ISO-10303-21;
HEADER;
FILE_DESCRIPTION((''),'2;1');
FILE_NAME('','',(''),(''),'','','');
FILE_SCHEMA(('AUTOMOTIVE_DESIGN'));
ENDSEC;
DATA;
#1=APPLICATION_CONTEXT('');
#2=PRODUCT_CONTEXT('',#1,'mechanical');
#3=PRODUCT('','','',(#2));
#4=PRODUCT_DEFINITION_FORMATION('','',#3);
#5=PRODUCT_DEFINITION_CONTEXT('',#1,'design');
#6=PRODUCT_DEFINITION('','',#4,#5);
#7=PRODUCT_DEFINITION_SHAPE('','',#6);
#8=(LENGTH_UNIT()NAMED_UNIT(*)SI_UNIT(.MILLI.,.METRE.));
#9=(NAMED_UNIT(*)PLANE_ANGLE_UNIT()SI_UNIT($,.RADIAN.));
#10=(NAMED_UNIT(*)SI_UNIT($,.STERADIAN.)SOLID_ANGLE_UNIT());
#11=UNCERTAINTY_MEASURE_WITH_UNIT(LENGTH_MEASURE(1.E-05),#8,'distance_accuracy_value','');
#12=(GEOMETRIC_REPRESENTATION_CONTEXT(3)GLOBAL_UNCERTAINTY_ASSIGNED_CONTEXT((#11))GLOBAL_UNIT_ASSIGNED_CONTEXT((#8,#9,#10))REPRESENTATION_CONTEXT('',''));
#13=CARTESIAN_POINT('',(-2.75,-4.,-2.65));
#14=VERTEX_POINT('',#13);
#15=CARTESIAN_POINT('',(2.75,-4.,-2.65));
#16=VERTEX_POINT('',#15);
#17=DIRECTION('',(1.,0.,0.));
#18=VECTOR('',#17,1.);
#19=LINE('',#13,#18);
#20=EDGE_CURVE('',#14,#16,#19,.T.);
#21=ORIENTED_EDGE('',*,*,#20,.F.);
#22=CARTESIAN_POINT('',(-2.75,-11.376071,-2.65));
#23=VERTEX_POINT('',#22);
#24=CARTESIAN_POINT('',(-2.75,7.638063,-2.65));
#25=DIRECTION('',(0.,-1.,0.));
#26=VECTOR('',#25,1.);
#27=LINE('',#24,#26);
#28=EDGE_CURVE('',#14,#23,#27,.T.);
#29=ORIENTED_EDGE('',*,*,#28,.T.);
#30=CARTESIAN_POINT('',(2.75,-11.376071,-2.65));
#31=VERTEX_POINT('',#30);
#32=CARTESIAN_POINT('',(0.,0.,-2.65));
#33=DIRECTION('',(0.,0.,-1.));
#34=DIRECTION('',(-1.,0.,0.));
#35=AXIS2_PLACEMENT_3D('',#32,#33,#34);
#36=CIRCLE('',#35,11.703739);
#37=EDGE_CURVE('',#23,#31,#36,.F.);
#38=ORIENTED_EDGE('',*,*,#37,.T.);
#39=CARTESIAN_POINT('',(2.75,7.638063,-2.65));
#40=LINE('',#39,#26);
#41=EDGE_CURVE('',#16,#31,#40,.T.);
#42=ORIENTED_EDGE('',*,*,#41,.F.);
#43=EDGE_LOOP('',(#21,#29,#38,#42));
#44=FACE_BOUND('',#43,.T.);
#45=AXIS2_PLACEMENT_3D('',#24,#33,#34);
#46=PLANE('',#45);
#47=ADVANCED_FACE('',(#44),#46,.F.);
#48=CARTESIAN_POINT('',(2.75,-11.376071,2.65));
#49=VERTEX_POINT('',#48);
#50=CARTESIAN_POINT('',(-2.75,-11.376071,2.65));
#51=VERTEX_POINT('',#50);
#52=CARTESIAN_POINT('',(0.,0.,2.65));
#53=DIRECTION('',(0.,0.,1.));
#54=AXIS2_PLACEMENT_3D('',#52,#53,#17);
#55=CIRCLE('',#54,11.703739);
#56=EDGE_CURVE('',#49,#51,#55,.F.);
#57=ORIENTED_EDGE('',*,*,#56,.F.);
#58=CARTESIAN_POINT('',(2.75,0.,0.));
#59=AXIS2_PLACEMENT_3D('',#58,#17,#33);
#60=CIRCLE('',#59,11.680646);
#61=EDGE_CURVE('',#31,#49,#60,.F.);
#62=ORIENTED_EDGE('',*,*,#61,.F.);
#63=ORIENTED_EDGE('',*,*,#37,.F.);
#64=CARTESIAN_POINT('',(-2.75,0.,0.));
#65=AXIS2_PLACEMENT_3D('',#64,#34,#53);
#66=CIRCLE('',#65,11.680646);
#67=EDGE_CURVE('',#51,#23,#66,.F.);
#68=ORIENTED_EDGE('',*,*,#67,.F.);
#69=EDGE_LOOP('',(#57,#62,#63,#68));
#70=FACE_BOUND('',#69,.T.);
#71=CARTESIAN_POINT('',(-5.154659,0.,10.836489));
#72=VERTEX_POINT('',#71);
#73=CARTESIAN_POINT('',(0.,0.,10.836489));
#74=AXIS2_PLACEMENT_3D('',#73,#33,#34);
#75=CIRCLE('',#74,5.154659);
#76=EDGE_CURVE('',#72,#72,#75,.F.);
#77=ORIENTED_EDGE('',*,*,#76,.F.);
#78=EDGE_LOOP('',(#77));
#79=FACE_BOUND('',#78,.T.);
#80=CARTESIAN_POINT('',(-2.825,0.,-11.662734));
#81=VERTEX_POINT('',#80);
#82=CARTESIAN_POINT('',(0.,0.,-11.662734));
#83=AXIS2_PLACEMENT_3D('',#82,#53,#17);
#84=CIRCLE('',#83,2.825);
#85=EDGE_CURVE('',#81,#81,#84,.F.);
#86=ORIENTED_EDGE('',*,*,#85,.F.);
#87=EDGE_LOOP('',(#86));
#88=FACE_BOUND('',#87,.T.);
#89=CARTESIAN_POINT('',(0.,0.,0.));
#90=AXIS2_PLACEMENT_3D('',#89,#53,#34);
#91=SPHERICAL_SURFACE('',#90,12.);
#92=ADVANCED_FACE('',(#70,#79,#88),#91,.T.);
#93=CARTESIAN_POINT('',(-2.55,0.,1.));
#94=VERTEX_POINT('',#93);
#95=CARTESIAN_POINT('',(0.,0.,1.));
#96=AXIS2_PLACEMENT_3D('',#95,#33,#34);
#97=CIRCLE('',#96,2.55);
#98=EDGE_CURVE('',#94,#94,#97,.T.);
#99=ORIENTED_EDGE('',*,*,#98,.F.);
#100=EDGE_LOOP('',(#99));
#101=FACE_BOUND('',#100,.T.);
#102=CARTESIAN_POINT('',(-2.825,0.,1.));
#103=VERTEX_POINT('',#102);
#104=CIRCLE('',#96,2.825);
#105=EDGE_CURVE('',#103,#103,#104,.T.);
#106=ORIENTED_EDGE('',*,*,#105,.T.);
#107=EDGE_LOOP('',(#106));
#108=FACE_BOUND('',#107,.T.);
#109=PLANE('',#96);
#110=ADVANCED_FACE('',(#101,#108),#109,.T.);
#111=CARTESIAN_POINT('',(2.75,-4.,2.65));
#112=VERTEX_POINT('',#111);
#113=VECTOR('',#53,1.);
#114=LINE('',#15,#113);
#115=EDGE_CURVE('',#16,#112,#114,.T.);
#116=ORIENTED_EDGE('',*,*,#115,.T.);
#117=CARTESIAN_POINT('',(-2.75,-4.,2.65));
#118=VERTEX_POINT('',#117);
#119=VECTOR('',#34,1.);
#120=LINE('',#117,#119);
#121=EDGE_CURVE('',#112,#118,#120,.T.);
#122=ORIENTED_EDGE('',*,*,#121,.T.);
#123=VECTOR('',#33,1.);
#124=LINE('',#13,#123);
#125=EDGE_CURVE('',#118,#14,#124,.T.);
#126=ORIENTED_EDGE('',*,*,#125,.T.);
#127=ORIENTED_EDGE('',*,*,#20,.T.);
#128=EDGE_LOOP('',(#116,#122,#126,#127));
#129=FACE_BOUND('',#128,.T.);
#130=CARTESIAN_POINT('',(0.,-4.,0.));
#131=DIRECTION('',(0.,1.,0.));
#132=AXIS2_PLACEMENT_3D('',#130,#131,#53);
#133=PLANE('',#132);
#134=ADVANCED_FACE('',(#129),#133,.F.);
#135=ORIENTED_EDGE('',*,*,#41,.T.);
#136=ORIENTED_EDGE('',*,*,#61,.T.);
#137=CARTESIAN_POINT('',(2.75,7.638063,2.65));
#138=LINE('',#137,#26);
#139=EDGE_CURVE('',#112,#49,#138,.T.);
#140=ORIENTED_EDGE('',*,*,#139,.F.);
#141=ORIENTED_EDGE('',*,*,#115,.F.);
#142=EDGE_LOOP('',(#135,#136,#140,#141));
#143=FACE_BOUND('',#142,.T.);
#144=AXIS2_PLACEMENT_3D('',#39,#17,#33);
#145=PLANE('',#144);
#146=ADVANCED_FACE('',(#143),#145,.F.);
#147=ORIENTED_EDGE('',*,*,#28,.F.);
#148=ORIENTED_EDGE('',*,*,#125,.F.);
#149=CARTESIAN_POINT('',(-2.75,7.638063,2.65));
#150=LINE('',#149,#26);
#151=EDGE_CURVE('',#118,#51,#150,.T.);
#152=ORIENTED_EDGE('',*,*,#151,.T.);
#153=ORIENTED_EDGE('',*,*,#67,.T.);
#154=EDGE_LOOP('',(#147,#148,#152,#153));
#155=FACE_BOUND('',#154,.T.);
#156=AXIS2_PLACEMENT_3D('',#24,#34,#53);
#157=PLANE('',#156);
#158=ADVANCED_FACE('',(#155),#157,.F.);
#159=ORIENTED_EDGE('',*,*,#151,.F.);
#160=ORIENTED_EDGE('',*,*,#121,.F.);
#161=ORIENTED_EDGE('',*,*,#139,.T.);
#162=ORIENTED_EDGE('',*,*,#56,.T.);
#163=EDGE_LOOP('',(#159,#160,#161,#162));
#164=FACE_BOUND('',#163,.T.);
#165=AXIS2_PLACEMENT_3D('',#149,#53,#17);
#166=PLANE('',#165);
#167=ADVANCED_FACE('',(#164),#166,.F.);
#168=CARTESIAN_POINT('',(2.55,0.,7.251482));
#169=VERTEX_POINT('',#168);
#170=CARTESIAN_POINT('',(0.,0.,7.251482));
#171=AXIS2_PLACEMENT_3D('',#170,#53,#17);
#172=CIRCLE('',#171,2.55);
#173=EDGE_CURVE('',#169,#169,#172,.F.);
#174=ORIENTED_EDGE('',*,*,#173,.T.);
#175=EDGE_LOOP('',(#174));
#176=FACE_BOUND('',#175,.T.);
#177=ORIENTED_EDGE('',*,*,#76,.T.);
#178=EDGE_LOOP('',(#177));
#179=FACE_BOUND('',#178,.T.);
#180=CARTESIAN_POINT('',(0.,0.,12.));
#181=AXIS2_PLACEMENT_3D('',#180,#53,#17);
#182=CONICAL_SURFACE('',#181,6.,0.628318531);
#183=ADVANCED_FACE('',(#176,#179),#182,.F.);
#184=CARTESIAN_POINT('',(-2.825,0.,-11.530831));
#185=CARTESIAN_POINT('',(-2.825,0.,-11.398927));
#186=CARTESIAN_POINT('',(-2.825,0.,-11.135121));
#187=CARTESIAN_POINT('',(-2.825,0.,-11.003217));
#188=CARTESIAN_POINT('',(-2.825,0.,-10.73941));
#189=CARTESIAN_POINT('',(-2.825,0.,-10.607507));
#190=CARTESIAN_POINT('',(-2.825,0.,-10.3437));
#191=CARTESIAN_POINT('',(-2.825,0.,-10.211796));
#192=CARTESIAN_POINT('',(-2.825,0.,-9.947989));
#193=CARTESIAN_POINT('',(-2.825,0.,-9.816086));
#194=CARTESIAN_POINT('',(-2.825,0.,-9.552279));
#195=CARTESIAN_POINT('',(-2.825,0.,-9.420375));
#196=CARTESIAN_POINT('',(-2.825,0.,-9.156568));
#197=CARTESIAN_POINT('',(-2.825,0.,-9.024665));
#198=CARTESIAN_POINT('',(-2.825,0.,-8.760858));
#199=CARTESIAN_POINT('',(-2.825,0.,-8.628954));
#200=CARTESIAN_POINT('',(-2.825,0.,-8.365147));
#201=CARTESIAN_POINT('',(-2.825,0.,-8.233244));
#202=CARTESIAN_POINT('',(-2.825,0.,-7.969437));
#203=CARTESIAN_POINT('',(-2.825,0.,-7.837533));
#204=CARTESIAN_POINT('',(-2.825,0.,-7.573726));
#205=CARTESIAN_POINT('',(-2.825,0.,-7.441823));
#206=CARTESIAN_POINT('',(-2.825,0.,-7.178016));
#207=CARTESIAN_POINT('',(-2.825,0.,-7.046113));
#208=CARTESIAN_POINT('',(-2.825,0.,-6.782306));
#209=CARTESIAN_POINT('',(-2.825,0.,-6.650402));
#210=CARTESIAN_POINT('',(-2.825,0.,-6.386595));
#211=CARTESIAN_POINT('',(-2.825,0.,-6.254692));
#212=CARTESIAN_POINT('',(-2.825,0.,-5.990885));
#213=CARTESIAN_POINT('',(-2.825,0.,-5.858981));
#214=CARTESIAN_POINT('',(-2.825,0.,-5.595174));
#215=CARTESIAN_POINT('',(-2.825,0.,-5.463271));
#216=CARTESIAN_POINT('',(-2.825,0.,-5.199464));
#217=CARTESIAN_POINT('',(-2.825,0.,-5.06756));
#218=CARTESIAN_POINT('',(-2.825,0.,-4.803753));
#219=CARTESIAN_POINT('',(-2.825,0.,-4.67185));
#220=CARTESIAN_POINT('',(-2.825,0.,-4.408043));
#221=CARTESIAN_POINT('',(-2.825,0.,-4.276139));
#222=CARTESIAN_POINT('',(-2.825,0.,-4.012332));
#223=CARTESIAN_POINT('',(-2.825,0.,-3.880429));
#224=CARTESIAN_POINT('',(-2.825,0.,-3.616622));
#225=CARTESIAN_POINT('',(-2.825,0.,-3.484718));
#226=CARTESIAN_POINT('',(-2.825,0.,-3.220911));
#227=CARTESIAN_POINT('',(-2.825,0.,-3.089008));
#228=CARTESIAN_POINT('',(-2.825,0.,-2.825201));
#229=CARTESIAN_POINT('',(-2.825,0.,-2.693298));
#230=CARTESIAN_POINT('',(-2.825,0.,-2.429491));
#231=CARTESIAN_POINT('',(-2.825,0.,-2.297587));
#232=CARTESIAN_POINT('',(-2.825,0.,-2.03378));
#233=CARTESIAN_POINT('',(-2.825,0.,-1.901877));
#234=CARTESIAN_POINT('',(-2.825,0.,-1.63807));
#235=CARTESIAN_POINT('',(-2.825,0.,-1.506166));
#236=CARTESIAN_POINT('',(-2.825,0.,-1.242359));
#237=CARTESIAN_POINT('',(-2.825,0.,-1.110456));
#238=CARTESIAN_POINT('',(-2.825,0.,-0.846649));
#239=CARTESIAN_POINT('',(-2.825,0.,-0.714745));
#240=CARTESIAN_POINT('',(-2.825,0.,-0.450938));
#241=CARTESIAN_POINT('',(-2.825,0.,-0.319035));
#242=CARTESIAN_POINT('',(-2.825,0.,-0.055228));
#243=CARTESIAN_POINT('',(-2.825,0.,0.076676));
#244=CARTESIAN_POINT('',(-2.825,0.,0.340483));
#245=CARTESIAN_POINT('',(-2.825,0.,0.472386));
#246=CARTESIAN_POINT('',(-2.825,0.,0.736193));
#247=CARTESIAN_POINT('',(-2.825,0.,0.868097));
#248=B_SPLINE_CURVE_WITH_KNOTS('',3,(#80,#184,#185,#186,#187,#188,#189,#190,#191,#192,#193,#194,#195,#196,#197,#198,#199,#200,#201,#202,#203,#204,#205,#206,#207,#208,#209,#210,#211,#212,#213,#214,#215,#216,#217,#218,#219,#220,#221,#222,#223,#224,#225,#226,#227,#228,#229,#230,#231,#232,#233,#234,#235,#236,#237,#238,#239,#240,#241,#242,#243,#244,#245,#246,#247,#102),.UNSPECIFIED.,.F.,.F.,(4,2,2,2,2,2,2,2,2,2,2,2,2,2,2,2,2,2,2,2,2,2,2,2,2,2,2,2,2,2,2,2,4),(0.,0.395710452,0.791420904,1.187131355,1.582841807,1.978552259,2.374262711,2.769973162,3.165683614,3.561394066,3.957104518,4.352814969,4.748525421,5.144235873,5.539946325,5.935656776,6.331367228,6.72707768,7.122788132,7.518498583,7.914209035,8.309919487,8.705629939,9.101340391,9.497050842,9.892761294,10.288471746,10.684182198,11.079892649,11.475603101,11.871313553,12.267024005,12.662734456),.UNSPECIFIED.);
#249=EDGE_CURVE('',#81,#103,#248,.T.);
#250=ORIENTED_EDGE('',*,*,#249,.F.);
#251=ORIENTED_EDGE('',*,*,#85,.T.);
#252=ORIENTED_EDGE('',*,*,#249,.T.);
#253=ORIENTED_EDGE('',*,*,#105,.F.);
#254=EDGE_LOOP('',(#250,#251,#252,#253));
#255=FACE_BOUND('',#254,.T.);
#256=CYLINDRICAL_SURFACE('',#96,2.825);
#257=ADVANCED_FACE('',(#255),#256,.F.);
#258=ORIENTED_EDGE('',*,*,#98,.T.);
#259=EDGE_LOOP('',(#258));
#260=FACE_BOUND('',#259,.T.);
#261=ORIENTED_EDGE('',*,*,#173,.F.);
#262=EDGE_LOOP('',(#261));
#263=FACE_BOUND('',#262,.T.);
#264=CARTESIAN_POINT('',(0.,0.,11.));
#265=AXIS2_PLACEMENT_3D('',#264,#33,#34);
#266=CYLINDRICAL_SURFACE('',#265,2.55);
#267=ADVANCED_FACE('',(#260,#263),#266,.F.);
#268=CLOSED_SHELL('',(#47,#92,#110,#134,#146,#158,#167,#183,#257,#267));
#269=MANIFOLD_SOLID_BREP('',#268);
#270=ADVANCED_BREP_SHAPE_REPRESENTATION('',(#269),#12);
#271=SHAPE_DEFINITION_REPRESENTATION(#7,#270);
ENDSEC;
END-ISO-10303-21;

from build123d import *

# Parameters (mm, degrees)
SKETCH2_R          = 6
CONE_DEPTH         = 8
CONE_TAPER         = 36
SKETCH5_R          = 2.825
CUT_EXTRUDE3_DEPTH = 13
SKETCH4_W          = 5.5
SKETCH4_H          = 5.3
CUT_EXTRUDE2_DEPTH = 8
SKETCH6_R          = 2.55
CUT_EXTRUDE4_DEPTH = 10


with BuildPart() as part:
    # Sketch1 → Revolve1 (revolve)
    with BuildSketch(Plane(origin=(0, 0, 0), x_dir=(1, 0, 0), z_dir=(0, 1, 0))):
        with BuildLine():
            Line((0, -12), (0, 12))
            ThreePointArc((0, 12), (12, 0), (0, -12))
        make_face()
    revolve(axis=Axis((0, 0, 12), (0, 0, -1)))

    # Sketch2 → Cone (cut)
    with BuildSketch(Plane.XY.offset(12)):
        Circle(SKETCH2_R)
    extrude(amount=-CONE_DEPTH, taper=CONE_TAPER, mode=Mode.SUBTRACT)

    # Sketch5 → Cut-Extrude3 (cut)
    with BuildSketch(Plane(origin=(0, 0, -12), x_dir=(-1, 0, 0), z_dir=(0, 0, -1))):
        Circle(SKETCH5_R)
    extrude(amount=-CUT_EXTRUDE3_DEPTH, mode=Mode.SUBTRACT)

    # Sketch4 → Cut-Extrude2 (cut)
    with BuildSketch(Plane(origin=(0, -12, 0), x_dir=(-1, 0, 0), z_dir=(0, -1, 0))):
        Rectangle(SKETCH4_W, SKETCH4_H)
    extrude(amount=-CUT_EXTRUDE2_DEPTH, mode=Mode.SUBTRACT)

    # Sketch6 → Cut-Extrude4 (cut)
    with BuildSketch(Plane(origin=(0, 0, 1), x_dir=(-1, 0, 0), z_dir=(0, 0, -1))):
        Circle(SKETCH6_R)
    extrude(amount=-CUT_EXTRUDE4_DEPTH, mode=Mode.SUBTRACT)


solid = part.part
